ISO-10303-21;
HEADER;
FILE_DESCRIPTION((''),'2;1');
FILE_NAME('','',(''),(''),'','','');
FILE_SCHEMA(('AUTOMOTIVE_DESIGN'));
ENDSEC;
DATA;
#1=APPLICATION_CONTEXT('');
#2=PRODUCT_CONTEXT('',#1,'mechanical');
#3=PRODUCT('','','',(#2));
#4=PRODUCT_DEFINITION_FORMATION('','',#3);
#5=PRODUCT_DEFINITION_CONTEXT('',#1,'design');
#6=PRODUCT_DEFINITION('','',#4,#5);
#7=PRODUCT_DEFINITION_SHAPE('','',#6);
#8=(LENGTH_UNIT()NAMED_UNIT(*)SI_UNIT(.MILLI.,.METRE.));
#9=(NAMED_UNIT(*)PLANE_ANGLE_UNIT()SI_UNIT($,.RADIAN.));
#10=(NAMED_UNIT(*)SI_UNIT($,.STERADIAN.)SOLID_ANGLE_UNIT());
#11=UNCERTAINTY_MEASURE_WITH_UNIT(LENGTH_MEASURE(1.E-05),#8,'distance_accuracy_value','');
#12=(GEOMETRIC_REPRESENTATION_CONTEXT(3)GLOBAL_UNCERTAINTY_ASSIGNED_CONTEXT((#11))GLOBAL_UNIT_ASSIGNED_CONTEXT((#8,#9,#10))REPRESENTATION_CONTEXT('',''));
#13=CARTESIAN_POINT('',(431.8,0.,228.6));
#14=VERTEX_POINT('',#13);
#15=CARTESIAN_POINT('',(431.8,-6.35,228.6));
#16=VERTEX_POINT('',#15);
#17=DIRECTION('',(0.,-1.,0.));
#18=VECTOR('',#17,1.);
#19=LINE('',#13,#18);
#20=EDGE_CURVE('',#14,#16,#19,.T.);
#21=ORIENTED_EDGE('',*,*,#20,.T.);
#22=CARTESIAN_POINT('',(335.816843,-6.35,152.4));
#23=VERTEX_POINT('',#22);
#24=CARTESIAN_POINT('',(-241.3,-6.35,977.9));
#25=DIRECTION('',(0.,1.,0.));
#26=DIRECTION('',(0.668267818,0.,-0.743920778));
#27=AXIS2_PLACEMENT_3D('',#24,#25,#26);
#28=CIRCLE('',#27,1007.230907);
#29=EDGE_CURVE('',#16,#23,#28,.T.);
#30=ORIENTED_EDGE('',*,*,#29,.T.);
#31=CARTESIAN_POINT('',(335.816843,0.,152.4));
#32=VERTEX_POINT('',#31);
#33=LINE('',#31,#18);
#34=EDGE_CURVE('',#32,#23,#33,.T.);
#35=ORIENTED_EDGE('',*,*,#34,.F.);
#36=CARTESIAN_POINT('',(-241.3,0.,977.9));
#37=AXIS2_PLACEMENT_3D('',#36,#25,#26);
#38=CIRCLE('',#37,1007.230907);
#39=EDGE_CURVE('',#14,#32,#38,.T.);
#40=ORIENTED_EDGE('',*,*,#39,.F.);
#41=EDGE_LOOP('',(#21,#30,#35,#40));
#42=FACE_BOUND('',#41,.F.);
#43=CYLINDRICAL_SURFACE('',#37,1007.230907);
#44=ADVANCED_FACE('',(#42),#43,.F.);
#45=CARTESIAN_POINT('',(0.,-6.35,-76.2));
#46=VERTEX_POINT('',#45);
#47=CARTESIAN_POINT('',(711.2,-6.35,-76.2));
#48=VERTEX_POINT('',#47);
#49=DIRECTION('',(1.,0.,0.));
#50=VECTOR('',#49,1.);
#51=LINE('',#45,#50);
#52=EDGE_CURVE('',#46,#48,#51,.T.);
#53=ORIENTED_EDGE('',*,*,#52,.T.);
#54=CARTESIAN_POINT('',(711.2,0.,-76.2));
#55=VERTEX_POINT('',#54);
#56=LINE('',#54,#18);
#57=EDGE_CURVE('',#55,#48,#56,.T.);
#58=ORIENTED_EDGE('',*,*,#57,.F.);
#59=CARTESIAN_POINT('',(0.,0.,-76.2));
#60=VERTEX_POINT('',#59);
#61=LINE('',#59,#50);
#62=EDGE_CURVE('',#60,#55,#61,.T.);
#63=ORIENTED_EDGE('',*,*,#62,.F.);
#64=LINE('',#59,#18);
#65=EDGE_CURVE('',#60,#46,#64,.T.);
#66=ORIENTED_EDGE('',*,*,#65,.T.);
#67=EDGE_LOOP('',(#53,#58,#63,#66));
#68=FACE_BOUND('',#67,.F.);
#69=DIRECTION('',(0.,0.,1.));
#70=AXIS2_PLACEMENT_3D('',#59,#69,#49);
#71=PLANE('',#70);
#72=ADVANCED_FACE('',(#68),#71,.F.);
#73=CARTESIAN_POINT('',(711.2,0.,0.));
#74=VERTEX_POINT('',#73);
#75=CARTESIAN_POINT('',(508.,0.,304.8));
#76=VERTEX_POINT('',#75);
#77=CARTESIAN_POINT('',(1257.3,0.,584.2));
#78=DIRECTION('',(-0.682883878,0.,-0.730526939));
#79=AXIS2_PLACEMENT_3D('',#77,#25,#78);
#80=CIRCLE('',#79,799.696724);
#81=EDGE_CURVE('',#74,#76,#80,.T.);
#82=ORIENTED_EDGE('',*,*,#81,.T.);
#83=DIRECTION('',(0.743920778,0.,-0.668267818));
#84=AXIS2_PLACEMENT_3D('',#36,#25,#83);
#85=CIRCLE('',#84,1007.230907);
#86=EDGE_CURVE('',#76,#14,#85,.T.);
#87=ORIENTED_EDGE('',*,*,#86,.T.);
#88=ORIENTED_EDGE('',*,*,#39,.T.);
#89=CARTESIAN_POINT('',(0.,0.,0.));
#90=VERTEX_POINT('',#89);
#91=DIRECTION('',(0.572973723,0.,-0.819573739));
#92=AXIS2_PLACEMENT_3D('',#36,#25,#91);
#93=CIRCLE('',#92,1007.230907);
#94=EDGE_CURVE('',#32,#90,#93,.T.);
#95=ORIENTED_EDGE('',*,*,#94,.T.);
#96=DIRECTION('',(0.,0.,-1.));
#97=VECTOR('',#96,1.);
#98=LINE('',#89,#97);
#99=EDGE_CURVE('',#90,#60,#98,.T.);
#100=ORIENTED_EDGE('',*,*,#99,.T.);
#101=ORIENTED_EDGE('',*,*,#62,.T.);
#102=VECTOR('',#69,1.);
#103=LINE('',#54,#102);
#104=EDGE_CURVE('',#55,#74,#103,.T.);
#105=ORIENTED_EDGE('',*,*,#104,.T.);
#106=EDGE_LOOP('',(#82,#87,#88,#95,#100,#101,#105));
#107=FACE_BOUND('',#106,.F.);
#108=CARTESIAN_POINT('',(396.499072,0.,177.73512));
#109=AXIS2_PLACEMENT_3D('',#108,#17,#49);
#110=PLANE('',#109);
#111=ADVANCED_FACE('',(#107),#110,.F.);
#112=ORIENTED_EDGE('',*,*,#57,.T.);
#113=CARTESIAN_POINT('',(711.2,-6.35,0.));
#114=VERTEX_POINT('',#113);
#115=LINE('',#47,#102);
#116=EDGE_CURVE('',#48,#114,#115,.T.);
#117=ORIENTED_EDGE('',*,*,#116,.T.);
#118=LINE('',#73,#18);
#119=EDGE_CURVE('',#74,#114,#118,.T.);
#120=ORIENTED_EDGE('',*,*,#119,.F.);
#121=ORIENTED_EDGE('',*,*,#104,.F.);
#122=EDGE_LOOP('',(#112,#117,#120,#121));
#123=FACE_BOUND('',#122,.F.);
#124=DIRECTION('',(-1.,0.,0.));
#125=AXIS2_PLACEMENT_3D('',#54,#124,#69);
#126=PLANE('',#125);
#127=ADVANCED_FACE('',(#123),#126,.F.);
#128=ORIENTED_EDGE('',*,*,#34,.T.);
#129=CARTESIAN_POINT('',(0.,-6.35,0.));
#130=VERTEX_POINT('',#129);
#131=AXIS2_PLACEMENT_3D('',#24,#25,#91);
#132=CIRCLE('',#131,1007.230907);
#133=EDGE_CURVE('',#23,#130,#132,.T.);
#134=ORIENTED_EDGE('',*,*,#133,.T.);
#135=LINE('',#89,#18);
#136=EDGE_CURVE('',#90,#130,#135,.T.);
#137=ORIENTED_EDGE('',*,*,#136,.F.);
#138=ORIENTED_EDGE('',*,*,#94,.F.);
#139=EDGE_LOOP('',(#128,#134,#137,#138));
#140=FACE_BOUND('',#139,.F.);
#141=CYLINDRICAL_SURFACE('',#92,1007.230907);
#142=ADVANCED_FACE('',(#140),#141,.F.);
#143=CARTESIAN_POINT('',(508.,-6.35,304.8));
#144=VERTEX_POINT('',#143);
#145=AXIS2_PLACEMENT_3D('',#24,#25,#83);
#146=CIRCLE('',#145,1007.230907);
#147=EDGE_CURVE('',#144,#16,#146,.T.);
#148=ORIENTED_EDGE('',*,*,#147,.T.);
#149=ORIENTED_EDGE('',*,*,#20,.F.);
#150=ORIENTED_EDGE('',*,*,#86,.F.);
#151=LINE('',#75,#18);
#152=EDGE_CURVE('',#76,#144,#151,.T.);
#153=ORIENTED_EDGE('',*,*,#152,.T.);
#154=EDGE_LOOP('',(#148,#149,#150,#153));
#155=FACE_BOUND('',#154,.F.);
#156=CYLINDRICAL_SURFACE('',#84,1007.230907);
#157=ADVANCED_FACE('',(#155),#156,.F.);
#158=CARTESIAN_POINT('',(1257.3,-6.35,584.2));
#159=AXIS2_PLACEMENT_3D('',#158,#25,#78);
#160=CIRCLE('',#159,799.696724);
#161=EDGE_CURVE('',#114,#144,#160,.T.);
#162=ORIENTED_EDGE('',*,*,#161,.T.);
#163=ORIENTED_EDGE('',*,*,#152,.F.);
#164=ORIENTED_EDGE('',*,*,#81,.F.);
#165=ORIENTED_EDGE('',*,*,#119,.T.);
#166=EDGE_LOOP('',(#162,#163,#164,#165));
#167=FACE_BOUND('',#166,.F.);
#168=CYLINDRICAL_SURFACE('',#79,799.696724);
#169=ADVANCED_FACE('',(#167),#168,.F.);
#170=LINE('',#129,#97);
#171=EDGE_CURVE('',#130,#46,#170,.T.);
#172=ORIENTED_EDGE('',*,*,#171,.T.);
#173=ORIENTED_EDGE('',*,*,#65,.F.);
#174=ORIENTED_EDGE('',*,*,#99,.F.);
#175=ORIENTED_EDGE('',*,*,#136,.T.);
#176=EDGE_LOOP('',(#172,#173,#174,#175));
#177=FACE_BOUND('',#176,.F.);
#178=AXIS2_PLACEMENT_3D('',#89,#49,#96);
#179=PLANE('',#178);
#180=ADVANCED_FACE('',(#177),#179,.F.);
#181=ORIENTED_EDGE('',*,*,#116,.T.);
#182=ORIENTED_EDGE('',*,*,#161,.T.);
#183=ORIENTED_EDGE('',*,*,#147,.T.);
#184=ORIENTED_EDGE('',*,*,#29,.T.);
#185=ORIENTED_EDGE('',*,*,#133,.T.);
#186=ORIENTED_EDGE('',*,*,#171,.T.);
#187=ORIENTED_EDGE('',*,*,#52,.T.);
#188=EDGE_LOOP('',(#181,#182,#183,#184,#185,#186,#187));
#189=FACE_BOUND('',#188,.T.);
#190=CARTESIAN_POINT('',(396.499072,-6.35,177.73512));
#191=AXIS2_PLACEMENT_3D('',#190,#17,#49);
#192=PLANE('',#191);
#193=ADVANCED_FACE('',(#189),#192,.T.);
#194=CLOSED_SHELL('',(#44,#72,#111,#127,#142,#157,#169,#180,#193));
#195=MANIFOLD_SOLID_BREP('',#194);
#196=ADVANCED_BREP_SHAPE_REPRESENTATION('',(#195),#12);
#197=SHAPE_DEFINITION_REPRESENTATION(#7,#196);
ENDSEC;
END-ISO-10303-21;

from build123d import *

# Parameters (mm, degrees)
F0_W     = 76.2
F0_H     = 152.4
F1_DEPTH = 6.35


with BuildPart() as f1:
    # F0 (on Front) → F1 (new body)
    with BuildSketch(Plane.XZ):
        with BuildLine():
            ThreePointArc((431.8, 228.6), (384.9684315638, 189.0388261382), (335.816842589, 152.4))
            Line((335.816842589, 152.4), (431.8, 152.4))
            Line((431.8, 152.4), (431.8, 228.6))
        make_face()
        with BuildLine():
            ThreePointArc((335.816842589, 152.4), (174.9426840899, 60.6998430323), (0, 0))
            Line((0, 0), (431.8, 0))
            Line((431.8, 0), (431.8, 152.4))
            Line((431.8, 152.4), (335.816842589, 152.4))
        make_face()
        with BuildLine():
            Line((431.8, 228.6), (431.8, 152.4))
            Line((431.8, 152.4), (508, 152.4))
            Line((508, 152.4), (508, 304.8))
            ThreePointArc((508, 304.8), (470.9198045547, 265.6801954453), (431.8, 228.6))
        make_face()
        with BuildLine():
            ThreePointArc((584.2, 152.4), (542.0295057113, 226.5647528557), (508, 304.8))
            Line((508, 304.8), (508, 152.4))
            Line((508, 152.4), (584.2, 152.4))
        make_face()
        with Locations((546.1, 76.2)):
            Rectangle(F0_W, F0_H)
        with Locations((469.9, 76.2)):
            Rectangle(F0_W, F0_H)
        with BuildLine():
            Line((584.2, 152.4), (584.2, 0))
            Line((584.2, 0), (711.2, 0))
            ThreePointArc((711.2, 0), (642.9559595797, 72.246632983), (584.2, 152.4))
        make_face()
        Polygon((431.8, 0), (0, 0), (0, -76.2), (711.2, -76.2), (711.2, 0), (584.2, 0), (508, 0), align=None)
    extrude(amount=F1_DEPTH)


solid = f1.part
